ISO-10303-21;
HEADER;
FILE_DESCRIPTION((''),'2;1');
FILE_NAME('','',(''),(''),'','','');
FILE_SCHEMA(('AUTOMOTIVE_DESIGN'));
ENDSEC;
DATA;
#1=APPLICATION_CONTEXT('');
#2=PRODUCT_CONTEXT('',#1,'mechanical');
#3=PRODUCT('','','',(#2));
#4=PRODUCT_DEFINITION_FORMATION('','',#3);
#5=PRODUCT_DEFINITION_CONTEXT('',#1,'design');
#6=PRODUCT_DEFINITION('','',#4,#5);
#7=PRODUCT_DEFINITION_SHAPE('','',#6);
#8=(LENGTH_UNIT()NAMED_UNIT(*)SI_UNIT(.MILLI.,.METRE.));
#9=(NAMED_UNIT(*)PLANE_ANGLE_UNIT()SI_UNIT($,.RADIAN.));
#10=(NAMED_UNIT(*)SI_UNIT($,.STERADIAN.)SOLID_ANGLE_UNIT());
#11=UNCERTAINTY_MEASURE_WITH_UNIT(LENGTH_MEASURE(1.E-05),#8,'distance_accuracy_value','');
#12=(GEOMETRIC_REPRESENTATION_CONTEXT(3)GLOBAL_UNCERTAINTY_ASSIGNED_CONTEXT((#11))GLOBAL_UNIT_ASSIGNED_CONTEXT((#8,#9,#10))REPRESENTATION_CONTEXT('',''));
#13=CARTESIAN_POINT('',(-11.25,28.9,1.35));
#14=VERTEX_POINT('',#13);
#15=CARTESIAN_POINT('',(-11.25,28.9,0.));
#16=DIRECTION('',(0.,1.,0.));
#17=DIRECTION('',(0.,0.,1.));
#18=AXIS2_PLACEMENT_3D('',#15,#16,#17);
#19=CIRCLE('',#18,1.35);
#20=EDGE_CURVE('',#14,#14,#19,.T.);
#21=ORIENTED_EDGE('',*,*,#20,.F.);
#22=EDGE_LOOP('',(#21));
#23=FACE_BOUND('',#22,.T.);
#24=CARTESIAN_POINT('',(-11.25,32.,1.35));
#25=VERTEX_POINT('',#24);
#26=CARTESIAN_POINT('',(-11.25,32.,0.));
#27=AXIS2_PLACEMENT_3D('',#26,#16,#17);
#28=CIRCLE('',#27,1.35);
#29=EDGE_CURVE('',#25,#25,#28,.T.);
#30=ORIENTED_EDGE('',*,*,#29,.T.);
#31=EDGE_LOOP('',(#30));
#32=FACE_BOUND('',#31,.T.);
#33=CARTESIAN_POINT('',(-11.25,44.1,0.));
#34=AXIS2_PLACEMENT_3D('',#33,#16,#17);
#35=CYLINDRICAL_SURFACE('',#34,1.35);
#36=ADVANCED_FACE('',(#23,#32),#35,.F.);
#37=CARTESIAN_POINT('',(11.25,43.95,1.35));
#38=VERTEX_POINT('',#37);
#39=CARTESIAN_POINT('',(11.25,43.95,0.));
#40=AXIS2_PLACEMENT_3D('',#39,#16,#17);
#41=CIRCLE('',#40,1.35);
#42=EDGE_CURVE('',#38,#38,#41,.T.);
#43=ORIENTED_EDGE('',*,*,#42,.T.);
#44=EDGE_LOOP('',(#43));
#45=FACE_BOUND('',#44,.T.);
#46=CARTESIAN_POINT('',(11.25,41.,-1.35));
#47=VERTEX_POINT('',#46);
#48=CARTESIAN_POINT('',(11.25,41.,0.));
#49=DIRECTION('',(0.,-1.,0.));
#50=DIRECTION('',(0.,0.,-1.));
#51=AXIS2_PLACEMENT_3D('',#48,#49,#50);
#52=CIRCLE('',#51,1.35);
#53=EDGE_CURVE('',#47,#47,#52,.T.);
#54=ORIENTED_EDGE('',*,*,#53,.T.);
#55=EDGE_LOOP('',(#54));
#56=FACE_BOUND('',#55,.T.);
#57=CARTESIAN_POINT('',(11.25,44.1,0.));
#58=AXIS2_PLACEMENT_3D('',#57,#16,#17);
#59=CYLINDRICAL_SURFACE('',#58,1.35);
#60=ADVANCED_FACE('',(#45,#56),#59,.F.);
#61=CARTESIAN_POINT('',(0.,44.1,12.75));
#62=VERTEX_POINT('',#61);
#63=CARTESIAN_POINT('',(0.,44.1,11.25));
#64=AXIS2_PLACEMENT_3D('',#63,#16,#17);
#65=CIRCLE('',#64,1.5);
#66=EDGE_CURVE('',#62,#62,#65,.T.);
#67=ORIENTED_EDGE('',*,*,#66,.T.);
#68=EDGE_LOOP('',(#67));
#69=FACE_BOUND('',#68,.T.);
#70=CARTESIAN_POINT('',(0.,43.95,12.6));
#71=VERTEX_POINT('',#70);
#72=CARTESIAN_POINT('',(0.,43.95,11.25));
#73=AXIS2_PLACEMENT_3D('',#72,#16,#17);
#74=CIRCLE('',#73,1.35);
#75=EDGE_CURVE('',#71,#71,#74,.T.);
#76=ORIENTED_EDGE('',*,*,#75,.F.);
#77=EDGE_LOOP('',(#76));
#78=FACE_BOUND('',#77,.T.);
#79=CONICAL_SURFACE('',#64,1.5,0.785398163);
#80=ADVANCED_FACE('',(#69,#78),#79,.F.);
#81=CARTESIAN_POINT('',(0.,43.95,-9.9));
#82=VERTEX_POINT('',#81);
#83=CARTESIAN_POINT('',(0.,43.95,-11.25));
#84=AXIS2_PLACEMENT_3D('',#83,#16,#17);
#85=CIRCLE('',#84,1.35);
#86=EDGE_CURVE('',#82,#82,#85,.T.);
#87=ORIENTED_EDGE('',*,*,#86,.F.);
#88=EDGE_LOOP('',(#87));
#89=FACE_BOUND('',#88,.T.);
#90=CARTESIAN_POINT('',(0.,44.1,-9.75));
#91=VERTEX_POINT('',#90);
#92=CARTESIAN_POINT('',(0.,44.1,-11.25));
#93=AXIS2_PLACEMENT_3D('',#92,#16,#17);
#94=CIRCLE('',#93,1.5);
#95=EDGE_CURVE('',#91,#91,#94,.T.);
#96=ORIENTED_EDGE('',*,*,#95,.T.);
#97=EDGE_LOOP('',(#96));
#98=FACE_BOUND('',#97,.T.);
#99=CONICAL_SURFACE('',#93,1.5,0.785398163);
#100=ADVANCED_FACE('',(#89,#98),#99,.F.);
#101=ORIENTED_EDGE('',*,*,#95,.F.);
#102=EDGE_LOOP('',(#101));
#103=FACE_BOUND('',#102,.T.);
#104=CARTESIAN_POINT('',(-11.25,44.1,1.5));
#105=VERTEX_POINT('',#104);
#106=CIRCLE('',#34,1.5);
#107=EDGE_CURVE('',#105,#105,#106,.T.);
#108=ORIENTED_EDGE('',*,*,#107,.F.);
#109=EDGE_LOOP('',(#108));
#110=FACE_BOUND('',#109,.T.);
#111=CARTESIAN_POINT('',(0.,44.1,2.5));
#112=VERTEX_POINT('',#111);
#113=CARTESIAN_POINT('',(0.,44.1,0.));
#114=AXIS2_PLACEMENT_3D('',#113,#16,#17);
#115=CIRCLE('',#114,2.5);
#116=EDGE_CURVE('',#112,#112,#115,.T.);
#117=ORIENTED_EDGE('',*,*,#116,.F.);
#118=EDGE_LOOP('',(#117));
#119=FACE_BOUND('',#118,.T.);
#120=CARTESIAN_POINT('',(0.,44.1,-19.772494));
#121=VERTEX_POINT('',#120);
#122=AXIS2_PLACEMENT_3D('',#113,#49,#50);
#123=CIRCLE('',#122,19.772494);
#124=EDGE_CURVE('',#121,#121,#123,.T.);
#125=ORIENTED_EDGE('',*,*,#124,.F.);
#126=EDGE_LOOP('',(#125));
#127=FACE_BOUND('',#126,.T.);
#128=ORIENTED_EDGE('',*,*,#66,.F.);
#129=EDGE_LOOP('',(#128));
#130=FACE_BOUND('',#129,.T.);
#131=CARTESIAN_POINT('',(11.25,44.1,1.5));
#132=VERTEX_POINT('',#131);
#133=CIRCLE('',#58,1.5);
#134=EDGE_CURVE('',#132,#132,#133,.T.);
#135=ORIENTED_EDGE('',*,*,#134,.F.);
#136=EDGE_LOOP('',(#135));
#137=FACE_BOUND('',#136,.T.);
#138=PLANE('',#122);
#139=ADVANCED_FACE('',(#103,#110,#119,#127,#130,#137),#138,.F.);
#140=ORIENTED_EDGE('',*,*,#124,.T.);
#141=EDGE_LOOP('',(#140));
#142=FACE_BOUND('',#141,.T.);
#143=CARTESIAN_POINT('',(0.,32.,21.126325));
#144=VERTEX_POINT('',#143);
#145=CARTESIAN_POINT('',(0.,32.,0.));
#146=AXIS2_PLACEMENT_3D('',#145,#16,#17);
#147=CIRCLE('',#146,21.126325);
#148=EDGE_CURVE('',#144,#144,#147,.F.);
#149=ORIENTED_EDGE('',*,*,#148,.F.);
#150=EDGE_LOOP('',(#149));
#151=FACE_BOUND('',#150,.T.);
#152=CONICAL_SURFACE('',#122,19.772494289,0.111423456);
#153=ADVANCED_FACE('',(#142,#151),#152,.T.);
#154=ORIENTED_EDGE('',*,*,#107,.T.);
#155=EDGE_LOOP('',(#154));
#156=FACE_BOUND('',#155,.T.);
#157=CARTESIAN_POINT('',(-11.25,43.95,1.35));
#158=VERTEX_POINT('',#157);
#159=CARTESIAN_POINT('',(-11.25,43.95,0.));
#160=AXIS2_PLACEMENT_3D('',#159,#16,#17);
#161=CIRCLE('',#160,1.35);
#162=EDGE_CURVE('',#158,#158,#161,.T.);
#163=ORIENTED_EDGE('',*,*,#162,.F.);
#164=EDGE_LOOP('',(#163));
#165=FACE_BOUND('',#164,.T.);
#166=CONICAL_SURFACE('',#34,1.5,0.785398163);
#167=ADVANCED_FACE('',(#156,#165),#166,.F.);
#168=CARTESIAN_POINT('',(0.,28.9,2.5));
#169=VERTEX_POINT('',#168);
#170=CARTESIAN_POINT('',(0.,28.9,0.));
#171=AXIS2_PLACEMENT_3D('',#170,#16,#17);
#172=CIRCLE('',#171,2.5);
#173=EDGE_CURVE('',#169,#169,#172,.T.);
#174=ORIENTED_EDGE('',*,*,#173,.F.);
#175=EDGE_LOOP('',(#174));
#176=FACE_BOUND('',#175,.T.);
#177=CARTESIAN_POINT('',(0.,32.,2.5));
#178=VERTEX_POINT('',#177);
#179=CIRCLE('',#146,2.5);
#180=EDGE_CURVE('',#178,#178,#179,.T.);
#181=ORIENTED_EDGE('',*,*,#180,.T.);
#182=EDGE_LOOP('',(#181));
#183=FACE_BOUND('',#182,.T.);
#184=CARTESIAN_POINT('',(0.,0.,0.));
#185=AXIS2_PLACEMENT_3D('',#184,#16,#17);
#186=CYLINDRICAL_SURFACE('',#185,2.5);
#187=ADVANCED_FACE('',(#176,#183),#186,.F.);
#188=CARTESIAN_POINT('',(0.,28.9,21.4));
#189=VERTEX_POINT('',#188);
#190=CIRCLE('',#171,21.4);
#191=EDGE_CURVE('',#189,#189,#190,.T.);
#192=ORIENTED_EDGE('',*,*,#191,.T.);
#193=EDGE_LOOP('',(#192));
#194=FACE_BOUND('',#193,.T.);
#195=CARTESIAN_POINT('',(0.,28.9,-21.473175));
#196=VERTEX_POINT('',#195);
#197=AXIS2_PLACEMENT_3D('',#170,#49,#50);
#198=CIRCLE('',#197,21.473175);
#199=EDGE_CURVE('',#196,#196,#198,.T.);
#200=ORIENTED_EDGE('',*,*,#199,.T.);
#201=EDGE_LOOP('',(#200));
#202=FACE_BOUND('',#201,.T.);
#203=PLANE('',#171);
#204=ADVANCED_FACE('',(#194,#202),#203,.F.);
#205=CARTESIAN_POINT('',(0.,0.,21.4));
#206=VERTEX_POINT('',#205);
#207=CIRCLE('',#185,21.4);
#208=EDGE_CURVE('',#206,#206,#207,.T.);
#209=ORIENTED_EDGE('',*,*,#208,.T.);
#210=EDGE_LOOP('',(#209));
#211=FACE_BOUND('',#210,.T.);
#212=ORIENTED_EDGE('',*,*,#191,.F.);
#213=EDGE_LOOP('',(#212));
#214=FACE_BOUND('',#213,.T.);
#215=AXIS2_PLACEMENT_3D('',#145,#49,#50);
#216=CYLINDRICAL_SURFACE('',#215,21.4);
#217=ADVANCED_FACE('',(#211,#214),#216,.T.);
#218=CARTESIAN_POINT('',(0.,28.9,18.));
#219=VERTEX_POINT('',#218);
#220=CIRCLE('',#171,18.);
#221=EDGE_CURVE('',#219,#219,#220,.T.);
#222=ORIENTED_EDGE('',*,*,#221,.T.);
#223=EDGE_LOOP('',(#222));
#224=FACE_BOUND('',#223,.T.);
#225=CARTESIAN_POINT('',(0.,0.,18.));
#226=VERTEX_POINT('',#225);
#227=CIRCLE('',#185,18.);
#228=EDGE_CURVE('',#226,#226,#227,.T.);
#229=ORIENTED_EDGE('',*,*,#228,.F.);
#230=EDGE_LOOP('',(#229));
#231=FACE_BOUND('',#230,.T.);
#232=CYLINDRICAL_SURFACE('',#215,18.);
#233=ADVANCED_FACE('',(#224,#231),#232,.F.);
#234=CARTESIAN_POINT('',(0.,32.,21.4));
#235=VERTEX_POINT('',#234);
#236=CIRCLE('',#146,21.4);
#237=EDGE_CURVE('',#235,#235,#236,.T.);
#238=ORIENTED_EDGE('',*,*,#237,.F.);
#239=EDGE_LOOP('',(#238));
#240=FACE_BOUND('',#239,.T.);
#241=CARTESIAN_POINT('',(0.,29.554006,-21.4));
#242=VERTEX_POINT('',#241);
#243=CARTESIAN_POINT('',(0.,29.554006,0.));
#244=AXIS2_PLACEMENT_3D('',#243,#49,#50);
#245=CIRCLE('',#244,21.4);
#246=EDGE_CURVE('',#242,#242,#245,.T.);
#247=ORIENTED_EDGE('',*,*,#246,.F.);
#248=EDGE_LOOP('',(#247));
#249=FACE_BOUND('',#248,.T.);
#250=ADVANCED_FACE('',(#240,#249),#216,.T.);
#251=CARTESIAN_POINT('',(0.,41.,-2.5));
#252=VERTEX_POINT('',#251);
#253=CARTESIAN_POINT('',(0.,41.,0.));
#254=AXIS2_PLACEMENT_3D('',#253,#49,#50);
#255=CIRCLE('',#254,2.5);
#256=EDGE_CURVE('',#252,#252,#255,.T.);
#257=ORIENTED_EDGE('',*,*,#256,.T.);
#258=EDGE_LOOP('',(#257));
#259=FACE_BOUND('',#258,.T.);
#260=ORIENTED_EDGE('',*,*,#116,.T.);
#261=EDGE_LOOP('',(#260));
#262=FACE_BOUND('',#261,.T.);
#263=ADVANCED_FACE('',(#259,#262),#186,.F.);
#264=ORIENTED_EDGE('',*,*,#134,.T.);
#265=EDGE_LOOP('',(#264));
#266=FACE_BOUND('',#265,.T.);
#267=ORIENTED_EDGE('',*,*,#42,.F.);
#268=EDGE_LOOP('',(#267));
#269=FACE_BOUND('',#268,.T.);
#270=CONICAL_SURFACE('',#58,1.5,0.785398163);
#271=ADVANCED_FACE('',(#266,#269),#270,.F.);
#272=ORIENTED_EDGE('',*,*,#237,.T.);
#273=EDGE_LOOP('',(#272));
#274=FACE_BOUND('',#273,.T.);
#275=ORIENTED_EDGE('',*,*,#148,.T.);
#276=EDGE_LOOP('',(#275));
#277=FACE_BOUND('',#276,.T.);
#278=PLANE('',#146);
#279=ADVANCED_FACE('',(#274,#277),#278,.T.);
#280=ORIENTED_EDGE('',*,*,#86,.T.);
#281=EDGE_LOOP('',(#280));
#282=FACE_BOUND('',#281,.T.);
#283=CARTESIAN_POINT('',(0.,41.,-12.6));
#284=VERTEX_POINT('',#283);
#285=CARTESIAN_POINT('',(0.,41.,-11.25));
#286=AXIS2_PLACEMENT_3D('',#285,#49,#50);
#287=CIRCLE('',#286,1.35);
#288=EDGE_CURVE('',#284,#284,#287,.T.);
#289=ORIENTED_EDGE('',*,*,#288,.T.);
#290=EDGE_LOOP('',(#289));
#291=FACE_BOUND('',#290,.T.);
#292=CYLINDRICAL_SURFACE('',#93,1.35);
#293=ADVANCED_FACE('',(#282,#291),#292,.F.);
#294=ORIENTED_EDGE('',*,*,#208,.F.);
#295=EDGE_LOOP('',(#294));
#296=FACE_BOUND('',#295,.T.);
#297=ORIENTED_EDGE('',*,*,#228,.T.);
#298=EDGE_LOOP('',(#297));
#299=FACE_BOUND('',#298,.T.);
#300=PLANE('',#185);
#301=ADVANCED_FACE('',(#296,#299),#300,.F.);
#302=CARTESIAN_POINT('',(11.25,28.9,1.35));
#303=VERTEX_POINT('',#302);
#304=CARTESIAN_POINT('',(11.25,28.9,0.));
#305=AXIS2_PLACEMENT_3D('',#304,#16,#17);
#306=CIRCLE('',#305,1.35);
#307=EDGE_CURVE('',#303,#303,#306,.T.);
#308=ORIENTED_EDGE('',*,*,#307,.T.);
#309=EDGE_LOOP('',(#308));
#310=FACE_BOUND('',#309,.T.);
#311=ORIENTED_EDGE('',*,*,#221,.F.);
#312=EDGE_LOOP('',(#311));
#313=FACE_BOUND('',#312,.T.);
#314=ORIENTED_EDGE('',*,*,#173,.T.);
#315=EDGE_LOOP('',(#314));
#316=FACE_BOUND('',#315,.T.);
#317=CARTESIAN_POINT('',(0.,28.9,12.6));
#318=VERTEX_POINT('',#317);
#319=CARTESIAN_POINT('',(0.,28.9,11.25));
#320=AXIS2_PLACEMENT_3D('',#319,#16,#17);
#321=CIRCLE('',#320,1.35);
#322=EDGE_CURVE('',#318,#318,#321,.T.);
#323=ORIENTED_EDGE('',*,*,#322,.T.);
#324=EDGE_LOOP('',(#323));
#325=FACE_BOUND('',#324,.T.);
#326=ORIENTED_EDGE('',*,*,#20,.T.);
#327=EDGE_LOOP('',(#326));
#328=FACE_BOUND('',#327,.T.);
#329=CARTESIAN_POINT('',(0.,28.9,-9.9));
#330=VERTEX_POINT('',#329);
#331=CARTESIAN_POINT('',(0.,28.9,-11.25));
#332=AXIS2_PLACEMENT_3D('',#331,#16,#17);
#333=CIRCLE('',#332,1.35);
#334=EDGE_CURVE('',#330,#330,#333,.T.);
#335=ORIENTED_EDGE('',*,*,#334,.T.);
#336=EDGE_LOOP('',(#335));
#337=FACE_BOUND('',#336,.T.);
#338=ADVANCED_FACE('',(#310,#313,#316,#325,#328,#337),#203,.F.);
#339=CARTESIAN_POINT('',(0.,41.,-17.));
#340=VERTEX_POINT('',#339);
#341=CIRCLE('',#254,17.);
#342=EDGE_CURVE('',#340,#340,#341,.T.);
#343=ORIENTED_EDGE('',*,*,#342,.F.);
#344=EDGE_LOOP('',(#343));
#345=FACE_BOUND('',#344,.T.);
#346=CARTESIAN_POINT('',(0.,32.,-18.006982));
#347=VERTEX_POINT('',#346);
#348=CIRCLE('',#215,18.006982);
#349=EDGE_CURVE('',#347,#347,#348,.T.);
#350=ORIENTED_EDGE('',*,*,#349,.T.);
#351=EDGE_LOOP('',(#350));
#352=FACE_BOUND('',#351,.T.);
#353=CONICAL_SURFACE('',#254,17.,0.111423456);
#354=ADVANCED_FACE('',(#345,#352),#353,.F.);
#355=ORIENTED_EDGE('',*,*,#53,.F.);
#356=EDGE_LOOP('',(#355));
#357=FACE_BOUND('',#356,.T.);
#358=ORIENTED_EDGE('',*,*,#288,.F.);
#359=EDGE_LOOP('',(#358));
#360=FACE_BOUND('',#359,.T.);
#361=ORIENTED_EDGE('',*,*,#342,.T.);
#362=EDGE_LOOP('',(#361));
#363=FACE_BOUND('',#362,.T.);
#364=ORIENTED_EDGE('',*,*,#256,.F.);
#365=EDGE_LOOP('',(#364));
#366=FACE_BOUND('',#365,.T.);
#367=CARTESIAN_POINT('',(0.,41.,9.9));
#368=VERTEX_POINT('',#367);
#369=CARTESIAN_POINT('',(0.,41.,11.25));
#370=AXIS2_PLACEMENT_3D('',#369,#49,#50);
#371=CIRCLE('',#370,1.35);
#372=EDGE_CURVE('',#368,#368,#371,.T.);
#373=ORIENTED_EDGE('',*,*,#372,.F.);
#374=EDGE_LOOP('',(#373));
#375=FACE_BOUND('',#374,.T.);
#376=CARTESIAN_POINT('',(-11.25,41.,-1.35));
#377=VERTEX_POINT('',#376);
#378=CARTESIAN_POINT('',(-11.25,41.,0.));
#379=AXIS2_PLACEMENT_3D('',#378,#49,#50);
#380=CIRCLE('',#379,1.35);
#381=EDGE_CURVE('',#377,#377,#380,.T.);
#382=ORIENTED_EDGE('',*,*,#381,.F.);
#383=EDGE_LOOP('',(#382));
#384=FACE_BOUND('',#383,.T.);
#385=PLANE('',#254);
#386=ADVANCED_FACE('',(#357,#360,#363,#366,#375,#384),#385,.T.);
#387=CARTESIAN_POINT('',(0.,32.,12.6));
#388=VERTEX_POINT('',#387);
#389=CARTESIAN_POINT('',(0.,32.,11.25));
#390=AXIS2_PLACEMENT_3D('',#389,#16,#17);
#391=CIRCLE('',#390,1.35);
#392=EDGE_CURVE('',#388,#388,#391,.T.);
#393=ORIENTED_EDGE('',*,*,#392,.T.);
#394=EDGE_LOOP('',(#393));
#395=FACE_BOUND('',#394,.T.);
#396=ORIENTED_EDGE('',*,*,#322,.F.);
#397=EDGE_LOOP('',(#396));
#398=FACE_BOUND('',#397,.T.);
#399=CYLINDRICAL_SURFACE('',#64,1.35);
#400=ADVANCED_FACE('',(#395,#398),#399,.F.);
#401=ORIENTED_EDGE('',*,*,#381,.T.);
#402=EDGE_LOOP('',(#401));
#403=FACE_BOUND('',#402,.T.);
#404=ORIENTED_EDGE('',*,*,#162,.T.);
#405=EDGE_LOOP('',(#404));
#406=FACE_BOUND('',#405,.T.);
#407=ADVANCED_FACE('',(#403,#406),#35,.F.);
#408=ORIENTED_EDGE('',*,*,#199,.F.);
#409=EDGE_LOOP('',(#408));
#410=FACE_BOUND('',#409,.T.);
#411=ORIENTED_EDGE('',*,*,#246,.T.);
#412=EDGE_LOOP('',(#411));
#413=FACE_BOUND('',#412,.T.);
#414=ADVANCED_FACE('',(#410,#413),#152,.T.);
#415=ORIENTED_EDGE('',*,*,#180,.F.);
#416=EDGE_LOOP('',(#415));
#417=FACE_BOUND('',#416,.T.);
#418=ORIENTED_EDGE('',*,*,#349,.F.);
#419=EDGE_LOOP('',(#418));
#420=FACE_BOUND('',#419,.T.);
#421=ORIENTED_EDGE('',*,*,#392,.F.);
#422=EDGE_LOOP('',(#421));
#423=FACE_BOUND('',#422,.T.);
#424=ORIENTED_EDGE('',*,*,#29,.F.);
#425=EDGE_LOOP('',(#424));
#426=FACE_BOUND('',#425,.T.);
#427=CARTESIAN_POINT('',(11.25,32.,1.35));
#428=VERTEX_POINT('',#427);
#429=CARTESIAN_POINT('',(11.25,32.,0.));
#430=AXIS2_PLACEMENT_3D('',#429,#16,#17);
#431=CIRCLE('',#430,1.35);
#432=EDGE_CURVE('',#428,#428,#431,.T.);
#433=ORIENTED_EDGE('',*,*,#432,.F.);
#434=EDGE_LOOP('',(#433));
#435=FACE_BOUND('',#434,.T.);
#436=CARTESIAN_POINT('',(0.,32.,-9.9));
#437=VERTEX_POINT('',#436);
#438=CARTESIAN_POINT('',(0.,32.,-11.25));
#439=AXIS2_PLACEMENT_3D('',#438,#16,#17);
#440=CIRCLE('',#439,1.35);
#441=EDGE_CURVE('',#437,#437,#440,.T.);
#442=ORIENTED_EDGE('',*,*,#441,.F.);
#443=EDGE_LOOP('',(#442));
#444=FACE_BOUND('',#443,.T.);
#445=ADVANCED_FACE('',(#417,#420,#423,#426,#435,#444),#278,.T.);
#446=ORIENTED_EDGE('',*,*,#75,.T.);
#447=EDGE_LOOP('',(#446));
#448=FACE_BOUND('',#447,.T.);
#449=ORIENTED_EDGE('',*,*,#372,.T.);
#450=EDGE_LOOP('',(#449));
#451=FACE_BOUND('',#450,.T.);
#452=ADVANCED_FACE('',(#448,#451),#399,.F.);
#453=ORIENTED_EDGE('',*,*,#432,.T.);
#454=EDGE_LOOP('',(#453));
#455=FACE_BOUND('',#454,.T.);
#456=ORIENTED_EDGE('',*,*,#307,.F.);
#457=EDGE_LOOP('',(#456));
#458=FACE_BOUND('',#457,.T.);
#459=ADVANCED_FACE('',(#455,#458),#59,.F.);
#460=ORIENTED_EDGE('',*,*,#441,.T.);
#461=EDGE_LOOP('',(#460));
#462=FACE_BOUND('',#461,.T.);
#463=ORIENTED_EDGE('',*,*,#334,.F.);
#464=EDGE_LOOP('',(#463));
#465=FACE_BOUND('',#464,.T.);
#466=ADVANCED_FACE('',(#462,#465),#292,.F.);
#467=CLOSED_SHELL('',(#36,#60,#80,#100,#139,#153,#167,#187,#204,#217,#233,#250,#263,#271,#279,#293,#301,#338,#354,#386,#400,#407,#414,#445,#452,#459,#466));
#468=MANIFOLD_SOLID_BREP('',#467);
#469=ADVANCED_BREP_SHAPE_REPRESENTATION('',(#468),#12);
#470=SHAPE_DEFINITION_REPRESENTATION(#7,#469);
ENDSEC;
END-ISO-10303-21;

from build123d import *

# Parameters (mm, degrees)
SKETCH_1_R                = 21.4
SKETCH_1_R_2              = 18
EXTRUDE_1_DEPTH           = 32
SKETCH_13_R               = 2.5
CUT_EXTRUDE_1_DEPTH       = 54.544415829
HOLE_WIZARD_1_D           = 2.7
HOLE_WIZARD_1_CSINK_D     = 3
HOLE_WIZARD_1_CSINK_ANGLE = 90


with BuildPart() as part:
    # 草图1 → 凸台-拉伸1 (new body)
    with BuildSketch(Plane(origin=(0, 0, 0), x_dir=(1, 0, 0), z_dir=(0, 1, 0))):
        with Locations(Location((0, 0, 0), (0, 0, 270))):
            Circle(SKETCH_1_R)
        with Locations(Location((0, 0, 0), (0, 0, 270))):
            Circle(SKETCH_1_R_2, mode=Mode.SUBTRACT)
    extrude(amount=EXTRUDE_1_DEPTH)

    # 草图11 → 旋转-薄壁4 (revolve)
    with BuildSketch(Plane(origin=(0, 0, 0), x_dir=(0, 0, -1), z_dir=(1, 0, 0)), mode=Mode.PRIVATE) as revolve_4_sk:
        Polygon((0, 41), (-17, 41), (-18.006981843, 32), (0, 32), (0, 28.9), (-21.473174735, 28.9), (-19.772494289, 44.1), (0, 44.1), align=None)
    revolve(revolve_4_sk.sketch.rotate(Axis((0, 0, 0), (0, 1, 0)), 180), axis=Axis((0, 0, 0), (0, 1, 0)))

    # 草图13 → 切除-拉伸1 (cut, through all)
    with BuildSketch(Plane(origin=(0, 44.1, 0), x_dir=(1, 0, 0), z_dir=(0, 1, 0))):
        with Locations(Location((0, 0, 0), (0, 0, 270))):
            Circle(SKETCH_13_R)
    extrude(amount=-CUT_EXTRUDE_1_DEPTH, mode=Mode.SUBTRACT)

    # 打孔尺寸(%根据)内六角花形半沉头螺钉的类型1 (through all)
    with Locations(Plane(origin=(0, 44.1, -11.25), x_dir=(0, 0, 1), z_dir=(0, 1, 0))):
        with Locations((0, 0), (11.25, 11.25), (22.5, 0), (11.25, -11.25)):
            CounterSinkHole(HOLE_WIZARD_1_D / 2, HOLE_WIZARD_1_CSINK_D / 2, counter_sink_angle=HOLE_WIZARD_1_CSINK_ANGLE)


solid = part.part
